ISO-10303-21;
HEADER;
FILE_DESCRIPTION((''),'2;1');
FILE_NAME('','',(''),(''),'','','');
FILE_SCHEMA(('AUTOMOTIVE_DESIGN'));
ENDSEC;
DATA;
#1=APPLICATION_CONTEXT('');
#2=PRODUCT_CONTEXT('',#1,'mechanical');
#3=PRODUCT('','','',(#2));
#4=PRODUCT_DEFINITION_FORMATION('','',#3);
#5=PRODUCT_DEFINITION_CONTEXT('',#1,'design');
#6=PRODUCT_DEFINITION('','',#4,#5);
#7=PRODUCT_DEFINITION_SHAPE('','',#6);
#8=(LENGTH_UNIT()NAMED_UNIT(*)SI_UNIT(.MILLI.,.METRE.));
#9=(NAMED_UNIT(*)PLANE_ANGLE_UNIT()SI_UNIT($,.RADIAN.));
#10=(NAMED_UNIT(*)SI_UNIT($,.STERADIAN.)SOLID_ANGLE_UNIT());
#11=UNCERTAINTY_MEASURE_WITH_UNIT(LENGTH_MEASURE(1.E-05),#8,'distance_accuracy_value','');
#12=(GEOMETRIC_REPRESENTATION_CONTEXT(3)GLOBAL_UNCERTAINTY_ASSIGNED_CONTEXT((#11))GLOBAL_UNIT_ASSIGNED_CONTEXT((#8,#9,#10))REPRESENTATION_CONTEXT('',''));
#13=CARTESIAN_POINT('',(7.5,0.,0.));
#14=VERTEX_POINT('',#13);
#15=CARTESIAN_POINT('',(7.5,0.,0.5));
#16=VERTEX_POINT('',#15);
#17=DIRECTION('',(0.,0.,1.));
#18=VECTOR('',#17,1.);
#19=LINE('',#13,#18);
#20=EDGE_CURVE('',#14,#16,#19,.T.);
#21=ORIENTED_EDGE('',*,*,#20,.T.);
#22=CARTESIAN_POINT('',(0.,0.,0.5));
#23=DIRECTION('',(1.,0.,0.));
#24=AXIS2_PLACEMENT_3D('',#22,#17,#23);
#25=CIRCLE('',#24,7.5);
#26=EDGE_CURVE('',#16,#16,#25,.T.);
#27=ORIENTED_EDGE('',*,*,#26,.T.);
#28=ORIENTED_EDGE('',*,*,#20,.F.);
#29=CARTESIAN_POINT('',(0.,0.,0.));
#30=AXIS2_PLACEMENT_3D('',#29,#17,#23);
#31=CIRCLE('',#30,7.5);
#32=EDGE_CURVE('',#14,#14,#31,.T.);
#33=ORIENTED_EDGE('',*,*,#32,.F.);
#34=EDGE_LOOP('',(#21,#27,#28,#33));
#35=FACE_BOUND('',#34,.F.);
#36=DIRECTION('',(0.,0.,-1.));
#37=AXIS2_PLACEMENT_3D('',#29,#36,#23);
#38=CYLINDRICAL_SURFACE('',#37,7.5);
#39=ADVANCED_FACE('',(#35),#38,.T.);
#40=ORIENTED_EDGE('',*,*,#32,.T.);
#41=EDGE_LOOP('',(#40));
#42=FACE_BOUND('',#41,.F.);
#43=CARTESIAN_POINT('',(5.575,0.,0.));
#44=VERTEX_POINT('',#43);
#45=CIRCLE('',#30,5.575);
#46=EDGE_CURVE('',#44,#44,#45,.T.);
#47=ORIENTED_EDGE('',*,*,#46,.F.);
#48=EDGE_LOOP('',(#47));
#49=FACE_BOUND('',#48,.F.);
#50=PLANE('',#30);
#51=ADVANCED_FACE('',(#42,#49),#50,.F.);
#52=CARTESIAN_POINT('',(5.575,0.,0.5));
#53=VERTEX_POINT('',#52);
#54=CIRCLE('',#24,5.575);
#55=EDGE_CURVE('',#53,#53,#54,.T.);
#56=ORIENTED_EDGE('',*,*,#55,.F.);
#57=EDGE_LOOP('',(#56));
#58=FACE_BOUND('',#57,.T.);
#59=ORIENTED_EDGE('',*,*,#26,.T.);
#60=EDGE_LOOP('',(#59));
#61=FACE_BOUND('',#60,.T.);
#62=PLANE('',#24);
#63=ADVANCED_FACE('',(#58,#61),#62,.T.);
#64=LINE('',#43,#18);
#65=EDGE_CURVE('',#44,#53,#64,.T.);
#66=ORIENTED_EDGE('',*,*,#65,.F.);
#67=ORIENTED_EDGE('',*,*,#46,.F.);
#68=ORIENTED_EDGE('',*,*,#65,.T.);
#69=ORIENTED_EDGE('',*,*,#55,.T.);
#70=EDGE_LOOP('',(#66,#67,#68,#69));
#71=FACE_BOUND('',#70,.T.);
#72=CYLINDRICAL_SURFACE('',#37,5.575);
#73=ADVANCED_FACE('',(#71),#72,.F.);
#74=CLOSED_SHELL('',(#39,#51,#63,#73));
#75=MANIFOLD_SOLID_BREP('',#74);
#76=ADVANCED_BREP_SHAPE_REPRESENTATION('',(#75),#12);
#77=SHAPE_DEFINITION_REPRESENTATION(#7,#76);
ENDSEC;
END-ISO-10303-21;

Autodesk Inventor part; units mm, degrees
ref_plane "YZ Plane" through (0, 0, 0) normal (1, 0, 0) x (0, 1, 0)
ref_plane "XZ Plane" through (0, 0, 0) normal (0, 1, 0) x (-1, 0, 0)
ref_plane "XY Plane" through (0, 0, 0) normal (0, 0, 1) x (1, 0, 0)
sketch "草圖1" plane through (0, 0, 0) normal (0, 0, 1) x (1, 0, 0)
  circle A0 centre (0, 0) radius 5.575
  circle A1 centre (0, 0) radius 7.5
  dimension "d0" = 11.15
  dimension "d1" = 15
extrude "擠出1" add sketch "草圖1" along normal blind 0.5
properties material "黃銅，淡黃"
